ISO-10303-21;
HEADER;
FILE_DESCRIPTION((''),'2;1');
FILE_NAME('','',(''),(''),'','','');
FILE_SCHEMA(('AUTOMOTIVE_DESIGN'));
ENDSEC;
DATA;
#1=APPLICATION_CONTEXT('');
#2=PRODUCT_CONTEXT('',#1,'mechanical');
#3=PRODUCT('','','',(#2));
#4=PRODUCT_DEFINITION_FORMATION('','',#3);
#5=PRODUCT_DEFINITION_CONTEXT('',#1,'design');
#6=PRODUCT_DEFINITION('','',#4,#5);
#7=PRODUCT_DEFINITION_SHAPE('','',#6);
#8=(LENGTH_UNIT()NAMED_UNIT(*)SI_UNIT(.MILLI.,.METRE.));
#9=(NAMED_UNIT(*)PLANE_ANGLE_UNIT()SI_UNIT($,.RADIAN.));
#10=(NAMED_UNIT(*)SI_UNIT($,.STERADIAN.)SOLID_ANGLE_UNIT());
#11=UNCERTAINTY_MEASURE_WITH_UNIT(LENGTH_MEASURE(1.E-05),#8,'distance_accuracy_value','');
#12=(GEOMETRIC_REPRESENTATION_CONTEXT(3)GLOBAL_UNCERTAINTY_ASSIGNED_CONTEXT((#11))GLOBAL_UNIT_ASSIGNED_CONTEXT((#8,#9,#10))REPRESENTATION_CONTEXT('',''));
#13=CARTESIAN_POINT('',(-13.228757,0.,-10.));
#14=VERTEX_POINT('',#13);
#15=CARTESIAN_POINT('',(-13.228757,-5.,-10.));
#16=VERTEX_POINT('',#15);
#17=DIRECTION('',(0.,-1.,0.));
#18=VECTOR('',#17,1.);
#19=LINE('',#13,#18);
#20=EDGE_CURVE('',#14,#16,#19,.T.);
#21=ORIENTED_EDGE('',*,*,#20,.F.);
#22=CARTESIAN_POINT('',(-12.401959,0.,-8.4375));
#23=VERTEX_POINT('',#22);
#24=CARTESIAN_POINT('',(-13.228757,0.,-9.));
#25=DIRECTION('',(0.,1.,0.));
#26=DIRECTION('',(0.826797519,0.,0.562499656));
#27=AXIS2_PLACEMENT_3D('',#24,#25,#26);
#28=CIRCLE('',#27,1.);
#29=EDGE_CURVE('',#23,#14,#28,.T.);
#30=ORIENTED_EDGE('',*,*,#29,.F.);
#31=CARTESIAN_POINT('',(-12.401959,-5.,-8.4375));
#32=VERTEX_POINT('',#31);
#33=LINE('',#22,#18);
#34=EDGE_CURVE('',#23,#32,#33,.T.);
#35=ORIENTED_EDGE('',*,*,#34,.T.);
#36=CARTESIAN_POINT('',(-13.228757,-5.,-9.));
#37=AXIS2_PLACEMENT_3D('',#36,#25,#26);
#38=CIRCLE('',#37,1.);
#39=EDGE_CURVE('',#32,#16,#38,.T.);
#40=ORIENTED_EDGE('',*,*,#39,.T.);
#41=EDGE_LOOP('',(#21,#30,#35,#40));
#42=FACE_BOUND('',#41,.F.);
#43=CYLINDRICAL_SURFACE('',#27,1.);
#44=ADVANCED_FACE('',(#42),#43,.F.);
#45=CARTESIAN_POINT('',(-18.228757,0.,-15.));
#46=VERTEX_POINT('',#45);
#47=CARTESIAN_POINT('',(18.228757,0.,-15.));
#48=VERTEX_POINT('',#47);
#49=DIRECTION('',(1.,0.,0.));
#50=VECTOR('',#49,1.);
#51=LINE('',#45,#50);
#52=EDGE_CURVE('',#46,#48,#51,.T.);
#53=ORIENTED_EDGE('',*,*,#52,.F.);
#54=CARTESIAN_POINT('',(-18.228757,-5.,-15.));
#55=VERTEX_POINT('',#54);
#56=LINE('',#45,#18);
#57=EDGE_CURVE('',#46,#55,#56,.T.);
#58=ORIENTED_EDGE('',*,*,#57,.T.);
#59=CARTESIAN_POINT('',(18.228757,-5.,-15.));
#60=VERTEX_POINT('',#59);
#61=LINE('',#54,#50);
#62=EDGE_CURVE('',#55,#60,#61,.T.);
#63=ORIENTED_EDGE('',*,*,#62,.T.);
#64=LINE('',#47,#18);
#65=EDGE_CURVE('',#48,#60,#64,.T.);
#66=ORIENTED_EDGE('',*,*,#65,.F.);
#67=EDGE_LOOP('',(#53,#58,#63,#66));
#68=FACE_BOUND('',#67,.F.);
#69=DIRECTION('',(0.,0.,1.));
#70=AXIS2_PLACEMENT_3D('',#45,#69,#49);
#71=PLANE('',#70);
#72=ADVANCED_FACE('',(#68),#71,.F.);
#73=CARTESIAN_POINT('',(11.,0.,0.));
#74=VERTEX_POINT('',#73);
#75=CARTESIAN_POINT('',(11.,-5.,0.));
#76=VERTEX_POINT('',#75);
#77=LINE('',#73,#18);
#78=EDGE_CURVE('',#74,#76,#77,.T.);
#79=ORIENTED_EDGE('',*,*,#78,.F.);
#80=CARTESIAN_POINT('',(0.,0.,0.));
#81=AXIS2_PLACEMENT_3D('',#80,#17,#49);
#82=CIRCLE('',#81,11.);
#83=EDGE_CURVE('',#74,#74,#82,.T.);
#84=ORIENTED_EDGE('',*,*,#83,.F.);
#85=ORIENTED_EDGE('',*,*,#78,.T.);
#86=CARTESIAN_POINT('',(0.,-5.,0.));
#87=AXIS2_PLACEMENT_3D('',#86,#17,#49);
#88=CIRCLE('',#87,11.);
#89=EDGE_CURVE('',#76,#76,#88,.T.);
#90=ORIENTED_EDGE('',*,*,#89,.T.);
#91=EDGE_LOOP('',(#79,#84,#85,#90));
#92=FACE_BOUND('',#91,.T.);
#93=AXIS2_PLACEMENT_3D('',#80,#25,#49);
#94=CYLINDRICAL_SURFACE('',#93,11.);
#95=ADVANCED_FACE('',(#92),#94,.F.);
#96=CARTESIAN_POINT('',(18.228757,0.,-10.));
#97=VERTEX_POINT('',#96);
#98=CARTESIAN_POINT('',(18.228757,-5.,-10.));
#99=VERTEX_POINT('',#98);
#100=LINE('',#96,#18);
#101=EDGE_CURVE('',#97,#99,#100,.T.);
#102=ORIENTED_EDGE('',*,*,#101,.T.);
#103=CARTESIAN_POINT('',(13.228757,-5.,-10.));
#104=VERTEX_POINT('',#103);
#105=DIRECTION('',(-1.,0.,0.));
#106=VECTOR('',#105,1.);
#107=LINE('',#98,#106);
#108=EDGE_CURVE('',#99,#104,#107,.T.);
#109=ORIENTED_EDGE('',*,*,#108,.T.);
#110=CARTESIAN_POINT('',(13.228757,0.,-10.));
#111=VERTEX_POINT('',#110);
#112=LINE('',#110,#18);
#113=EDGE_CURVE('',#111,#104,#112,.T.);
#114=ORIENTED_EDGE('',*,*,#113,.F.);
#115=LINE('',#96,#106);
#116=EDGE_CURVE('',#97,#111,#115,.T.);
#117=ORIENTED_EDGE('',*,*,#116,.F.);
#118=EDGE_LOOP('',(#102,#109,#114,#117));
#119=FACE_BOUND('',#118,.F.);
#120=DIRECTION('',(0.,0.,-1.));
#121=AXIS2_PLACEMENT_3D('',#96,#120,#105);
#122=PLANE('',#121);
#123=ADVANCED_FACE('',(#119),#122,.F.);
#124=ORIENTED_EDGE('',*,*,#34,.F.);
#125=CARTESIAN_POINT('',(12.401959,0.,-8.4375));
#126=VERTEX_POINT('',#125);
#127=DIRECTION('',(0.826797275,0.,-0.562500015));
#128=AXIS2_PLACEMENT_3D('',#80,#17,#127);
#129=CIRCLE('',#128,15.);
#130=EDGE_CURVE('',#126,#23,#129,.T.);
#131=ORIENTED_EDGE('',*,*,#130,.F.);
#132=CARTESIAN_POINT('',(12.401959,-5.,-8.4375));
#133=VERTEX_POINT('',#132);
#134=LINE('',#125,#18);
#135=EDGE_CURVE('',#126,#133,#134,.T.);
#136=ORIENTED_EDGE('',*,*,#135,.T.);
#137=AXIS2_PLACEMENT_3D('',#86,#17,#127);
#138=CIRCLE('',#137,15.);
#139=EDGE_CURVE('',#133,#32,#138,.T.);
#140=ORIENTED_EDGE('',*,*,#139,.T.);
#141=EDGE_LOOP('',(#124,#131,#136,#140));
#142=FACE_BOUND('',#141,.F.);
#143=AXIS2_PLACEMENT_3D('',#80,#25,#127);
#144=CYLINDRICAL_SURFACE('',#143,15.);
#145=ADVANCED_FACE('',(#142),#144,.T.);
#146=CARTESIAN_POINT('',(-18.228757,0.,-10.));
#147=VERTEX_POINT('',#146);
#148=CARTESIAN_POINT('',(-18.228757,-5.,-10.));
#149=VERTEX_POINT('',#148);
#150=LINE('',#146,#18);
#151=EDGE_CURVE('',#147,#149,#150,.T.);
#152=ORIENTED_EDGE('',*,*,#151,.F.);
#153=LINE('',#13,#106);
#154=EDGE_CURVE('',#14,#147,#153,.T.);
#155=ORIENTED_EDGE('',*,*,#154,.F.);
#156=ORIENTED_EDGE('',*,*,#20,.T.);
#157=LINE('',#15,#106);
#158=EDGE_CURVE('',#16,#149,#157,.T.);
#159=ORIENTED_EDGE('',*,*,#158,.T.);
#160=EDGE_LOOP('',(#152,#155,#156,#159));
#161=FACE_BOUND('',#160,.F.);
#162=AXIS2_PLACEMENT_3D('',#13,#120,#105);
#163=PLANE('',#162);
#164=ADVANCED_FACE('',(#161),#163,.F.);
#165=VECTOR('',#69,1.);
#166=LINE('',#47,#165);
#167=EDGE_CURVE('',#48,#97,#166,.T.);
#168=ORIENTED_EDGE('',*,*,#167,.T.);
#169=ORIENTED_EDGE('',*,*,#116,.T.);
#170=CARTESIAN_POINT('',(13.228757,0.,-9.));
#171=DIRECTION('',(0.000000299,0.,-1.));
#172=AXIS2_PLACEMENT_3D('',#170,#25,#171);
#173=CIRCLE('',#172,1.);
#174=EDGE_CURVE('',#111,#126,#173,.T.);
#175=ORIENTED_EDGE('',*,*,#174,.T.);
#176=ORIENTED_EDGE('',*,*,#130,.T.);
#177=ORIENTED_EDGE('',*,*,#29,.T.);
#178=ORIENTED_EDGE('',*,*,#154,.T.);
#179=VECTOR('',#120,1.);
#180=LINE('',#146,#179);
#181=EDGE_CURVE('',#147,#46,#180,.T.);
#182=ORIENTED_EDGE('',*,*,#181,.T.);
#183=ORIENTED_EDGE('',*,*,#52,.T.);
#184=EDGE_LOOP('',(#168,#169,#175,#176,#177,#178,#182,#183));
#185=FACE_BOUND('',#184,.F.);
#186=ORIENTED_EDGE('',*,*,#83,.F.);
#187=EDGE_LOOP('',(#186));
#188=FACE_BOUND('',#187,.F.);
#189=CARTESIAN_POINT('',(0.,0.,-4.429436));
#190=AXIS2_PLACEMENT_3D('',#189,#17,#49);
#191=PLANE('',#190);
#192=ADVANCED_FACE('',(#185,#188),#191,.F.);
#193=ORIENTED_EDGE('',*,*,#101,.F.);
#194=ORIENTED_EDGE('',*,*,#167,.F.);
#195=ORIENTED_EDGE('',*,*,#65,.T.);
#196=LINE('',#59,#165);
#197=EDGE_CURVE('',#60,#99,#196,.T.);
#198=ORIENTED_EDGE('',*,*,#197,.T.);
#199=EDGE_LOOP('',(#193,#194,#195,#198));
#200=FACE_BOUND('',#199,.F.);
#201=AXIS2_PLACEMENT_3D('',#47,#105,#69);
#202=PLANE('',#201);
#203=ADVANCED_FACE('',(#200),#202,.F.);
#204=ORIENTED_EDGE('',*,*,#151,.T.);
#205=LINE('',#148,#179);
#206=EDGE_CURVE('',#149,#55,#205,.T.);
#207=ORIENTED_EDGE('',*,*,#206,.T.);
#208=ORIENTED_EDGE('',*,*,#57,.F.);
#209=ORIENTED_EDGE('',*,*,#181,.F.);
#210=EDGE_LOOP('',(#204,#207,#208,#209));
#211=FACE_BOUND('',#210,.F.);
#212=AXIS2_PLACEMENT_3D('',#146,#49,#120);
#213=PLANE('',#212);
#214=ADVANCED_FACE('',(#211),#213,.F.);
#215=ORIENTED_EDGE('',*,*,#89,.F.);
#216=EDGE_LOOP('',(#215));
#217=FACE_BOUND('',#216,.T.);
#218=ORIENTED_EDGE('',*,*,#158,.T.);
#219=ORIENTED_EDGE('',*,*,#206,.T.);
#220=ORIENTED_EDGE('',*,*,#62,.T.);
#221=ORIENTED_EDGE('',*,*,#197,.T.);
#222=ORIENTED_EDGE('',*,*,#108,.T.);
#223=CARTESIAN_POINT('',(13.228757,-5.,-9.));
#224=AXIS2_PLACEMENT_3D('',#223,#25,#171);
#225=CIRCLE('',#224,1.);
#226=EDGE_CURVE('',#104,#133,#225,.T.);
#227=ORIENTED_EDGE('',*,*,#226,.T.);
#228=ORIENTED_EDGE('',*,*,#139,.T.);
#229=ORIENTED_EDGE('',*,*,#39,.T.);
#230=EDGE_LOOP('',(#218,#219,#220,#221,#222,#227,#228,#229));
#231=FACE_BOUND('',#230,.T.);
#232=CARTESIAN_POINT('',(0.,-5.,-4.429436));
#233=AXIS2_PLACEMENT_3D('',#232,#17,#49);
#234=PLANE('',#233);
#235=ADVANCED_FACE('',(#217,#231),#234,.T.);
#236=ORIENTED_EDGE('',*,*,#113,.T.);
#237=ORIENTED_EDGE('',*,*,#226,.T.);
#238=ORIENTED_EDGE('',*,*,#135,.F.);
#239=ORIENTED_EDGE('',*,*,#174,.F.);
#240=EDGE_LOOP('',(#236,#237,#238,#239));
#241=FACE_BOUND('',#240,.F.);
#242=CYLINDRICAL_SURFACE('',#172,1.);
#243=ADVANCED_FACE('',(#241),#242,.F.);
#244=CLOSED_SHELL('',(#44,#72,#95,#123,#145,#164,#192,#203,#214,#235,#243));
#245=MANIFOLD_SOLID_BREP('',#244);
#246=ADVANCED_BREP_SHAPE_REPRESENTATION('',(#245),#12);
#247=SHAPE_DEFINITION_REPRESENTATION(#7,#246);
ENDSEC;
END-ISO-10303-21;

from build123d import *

# Parameters (mm, degrees)
F0_R     = 11
F1_DEPTH = 5


with BuildPart() as f1:
    # F0 (on Front) → F1 (new body)
    with BuildSketch(Plane.XZ):
        with BuildLine():
            ThreePointArc((13.228757, -10), (12.344873, -9.467707), (12.401959, -8.4375))
            ThreePointArc((12.401959, -8.4375), (0, 15), (-12.401959, -8.4375))
            ThreePointArc((-12.401959, -8.4375), (-12.344873, -9.467707), (-13.228757, -10))
            Line((-13.228757, -10), (-18.228757, -10))
            Line((-18.228757, -10), (-18.228757, -15))
            Line((-18.228757, -15), (18.228757, -15))
            Line((18.228757, -15), (18.228757, -10))
            Line((18.228757, -10), (13.228757, -10))
        make_face()
        Circle(F0_R, mode=Mode.SUBTRACT)
    extrude(amount=F1_DEPTH)


solid = f1.part
